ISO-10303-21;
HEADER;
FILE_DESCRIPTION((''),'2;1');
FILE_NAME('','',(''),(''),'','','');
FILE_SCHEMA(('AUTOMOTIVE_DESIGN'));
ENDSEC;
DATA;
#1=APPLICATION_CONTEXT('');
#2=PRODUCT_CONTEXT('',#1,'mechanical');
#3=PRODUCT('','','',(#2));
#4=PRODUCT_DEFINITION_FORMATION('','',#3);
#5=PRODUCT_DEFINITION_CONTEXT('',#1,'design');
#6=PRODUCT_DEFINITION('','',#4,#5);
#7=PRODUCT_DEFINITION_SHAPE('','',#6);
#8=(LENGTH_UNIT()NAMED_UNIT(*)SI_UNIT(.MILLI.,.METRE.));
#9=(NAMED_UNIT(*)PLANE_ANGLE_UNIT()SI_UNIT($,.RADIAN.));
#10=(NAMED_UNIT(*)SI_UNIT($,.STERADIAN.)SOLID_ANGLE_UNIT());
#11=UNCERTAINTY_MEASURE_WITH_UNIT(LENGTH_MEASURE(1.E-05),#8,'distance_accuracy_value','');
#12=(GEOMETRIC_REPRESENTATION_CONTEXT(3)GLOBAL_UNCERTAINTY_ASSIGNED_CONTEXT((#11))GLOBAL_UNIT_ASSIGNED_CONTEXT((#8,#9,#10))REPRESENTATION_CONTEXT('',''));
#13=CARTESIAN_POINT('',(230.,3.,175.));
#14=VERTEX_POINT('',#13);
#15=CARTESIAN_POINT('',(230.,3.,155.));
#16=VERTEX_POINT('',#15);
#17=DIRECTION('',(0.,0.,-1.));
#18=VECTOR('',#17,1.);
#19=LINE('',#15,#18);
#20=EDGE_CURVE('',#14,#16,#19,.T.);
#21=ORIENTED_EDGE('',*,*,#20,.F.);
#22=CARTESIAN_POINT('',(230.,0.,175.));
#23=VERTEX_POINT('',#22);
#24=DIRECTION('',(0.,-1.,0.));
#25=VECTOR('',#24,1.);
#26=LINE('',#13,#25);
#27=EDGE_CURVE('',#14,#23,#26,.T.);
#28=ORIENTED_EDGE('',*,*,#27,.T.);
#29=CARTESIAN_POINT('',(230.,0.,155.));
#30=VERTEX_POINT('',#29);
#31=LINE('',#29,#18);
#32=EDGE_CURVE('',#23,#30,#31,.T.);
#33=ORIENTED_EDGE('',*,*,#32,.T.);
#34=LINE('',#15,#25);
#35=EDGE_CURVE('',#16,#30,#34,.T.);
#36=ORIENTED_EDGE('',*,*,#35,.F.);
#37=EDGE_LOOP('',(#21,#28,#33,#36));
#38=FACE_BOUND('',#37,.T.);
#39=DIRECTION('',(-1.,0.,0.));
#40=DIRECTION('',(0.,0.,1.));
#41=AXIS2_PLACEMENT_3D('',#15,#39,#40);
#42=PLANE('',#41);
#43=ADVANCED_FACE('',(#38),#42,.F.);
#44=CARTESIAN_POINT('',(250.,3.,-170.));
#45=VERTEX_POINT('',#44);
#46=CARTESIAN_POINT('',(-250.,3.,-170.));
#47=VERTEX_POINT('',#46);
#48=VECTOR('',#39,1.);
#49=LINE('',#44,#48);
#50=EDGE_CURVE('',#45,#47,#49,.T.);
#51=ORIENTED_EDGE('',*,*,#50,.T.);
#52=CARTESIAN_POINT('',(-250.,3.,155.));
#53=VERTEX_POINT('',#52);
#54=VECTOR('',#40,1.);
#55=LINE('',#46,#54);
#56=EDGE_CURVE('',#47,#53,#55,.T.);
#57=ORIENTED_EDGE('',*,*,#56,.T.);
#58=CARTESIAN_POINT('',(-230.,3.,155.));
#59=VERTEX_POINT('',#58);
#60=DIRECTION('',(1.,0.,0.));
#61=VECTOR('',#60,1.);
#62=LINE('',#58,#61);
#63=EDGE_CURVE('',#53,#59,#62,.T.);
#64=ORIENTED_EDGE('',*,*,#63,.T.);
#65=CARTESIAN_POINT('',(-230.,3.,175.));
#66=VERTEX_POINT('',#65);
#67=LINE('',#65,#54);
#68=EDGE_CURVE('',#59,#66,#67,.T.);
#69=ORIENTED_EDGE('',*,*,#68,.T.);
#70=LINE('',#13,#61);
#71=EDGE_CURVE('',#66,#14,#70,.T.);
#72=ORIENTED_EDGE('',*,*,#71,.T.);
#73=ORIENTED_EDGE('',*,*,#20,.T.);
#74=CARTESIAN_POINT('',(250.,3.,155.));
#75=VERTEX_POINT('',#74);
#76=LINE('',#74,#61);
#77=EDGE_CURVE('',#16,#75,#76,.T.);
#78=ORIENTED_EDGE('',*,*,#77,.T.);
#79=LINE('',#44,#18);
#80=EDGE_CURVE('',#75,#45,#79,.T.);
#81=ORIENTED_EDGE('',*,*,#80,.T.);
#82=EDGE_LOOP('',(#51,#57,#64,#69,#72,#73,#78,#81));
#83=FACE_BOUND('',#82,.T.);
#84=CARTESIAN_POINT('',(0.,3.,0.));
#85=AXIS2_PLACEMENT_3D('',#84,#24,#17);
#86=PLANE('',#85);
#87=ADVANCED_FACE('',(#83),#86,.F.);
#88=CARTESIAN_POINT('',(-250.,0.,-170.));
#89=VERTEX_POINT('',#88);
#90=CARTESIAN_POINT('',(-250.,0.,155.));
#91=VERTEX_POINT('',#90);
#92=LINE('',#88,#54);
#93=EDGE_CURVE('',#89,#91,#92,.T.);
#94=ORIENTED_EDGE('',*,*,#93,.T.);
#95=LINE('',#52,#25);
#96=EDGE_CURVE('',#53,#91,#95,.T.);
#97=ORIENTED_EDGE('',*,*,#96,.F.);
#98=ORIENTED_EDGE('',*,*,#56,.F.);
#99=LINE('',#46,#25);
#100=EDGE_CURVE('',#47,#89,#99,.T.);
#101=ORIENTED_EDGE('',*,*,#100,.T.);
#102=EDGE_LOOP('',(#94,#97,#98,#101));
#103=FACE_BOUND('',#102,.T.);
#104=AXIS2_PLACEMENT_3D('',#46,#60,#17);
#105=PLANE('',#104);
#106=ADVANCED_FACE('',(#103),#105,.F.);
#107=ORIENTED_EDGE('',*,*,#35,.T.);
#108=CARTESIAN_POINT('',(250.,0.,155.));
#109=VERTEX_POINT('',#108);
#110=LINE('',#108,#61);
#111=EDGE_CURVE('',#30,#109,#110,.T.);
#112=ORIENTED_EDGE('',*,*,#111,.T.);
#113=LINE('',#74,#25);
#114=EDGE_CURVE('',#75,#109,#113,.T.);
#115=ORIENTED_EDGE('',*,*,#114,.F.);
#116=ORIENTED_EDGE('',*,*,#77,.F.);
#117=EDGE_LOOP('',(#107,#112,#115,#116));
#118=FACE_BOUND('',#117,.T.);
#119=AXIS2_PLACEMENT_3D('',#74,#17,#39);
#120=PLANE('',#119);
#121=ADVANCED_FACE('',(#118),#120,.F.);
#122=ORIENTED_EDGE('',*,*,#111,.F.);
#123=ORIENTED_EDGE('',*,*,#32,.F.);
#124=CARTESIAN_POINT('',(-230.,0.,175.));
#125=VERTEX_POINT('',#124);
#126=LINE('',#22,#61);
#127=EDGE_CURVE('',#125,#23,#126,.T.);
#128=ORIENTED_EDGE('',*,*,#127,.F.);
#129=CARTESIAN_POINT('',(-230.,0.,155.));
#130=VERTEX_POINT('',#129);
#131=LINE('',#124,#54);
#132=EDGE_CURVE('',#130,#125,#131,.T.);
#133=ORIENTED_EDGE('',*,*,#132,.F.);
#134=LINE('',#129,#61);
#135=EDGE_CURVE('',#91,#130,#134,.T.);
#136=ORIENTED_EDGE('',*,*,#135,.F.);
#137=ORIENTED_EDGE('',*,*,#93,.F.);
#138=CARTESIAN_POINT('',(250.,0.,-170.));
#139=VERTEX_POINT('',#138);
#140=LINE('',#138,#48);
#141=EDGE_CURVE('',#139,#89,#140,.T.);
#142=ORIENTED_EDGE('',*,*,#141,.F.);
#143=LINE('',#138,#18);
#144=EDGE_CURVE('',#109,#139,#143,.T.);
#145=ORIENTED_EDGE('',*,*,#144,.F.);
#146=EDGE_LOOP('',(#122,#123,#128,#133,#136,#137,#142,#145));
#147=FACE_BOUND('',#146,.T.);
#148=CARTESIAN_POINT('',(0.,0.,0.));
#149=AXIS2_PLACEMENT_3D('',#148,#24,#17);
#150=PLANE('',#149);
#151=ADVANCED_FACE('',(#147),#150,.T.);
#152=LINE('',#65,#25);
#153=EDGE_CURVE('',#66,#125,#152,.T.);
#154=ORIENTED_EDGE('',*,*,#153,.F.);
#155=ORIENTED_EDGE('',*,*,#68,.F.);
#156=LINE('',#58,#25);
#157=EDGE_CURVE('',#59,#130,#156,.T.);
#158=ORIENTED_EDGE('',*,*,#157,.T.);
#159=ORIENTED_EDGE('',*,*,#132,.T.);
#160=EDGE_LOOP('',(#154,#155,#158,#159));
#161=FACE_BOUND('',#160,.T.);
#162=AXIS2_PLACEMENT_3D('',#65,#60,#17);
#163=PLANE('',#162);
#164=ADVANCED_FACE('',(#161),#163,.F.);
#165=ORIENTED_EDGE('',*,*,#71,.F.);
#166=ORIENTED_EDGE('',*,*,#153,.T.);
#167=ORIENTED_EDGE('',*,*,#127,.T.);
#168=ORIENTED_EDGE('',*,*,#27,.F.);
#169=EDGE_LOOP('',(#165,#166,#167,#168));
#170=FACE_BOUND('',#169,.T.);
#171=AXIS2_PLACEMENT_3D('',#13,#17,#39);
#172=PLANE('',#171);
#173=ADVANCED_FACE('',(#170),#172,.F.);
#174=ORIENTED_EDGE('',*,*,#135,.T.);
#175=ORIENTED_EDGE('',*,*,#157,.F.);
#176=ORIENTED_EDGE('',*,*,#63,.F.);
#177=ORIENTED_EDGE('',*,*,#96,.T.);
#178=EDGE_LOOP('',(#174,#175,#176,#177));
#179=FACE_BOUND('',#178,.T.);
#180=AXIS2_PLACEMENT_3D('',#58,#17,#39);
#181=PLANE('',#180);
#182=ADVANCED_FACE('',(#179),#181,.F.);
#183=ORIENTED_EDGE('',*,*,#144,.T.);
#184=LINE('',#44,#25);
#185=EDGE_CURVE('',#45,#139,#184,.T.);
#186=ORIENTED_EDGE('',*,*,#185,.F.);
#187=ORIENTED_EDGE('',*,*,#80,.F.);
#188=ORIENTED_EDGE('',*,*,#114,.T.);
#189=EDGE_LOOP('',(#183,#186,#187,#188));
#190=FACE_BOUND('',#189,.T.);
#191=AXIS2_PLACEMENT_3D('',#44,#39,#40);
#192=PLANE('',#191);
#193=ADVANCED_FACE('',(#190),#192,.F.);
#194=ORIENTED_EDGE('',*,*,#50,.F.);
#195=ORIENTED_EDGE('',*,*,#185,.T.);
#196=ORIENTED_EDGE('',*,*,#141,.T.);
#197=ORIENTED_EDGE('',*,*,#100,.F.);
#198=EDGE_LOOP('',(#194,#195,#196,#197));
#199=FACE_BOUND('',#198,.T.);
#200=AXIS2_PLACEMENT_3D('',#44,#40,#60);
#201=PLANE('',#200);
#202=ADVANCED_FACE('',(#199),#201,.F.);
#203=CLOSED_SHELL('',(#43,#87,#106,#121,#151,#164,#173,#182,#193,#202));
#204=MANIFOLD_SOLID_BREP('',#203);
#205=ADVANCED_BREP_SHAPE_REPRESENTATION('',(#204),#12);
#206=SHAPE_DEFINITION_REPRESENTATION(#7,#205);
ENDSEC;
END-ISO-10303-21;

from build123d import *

# Parameters (mm, degrees)
BOSS_EXTRUDE1_DEPTH = 3


with BuildPart() as part:
    # Sketch1 → Boss-Extrude1 (new body)
    with BuildSketch(Plane(origin=(0, 0, 0), x_dir=(1, 0, 0), z_dir=(0, 1, 0))):
        Polygon((250, -155), (230, -155), (230, -175), (-230, -175), (-230, -155), (-250, -155), (-250, 170), (250, 170), align=None)
    extrude(amount=BOSS_EXTRUDE1_DEPTH)


solid = part.part
